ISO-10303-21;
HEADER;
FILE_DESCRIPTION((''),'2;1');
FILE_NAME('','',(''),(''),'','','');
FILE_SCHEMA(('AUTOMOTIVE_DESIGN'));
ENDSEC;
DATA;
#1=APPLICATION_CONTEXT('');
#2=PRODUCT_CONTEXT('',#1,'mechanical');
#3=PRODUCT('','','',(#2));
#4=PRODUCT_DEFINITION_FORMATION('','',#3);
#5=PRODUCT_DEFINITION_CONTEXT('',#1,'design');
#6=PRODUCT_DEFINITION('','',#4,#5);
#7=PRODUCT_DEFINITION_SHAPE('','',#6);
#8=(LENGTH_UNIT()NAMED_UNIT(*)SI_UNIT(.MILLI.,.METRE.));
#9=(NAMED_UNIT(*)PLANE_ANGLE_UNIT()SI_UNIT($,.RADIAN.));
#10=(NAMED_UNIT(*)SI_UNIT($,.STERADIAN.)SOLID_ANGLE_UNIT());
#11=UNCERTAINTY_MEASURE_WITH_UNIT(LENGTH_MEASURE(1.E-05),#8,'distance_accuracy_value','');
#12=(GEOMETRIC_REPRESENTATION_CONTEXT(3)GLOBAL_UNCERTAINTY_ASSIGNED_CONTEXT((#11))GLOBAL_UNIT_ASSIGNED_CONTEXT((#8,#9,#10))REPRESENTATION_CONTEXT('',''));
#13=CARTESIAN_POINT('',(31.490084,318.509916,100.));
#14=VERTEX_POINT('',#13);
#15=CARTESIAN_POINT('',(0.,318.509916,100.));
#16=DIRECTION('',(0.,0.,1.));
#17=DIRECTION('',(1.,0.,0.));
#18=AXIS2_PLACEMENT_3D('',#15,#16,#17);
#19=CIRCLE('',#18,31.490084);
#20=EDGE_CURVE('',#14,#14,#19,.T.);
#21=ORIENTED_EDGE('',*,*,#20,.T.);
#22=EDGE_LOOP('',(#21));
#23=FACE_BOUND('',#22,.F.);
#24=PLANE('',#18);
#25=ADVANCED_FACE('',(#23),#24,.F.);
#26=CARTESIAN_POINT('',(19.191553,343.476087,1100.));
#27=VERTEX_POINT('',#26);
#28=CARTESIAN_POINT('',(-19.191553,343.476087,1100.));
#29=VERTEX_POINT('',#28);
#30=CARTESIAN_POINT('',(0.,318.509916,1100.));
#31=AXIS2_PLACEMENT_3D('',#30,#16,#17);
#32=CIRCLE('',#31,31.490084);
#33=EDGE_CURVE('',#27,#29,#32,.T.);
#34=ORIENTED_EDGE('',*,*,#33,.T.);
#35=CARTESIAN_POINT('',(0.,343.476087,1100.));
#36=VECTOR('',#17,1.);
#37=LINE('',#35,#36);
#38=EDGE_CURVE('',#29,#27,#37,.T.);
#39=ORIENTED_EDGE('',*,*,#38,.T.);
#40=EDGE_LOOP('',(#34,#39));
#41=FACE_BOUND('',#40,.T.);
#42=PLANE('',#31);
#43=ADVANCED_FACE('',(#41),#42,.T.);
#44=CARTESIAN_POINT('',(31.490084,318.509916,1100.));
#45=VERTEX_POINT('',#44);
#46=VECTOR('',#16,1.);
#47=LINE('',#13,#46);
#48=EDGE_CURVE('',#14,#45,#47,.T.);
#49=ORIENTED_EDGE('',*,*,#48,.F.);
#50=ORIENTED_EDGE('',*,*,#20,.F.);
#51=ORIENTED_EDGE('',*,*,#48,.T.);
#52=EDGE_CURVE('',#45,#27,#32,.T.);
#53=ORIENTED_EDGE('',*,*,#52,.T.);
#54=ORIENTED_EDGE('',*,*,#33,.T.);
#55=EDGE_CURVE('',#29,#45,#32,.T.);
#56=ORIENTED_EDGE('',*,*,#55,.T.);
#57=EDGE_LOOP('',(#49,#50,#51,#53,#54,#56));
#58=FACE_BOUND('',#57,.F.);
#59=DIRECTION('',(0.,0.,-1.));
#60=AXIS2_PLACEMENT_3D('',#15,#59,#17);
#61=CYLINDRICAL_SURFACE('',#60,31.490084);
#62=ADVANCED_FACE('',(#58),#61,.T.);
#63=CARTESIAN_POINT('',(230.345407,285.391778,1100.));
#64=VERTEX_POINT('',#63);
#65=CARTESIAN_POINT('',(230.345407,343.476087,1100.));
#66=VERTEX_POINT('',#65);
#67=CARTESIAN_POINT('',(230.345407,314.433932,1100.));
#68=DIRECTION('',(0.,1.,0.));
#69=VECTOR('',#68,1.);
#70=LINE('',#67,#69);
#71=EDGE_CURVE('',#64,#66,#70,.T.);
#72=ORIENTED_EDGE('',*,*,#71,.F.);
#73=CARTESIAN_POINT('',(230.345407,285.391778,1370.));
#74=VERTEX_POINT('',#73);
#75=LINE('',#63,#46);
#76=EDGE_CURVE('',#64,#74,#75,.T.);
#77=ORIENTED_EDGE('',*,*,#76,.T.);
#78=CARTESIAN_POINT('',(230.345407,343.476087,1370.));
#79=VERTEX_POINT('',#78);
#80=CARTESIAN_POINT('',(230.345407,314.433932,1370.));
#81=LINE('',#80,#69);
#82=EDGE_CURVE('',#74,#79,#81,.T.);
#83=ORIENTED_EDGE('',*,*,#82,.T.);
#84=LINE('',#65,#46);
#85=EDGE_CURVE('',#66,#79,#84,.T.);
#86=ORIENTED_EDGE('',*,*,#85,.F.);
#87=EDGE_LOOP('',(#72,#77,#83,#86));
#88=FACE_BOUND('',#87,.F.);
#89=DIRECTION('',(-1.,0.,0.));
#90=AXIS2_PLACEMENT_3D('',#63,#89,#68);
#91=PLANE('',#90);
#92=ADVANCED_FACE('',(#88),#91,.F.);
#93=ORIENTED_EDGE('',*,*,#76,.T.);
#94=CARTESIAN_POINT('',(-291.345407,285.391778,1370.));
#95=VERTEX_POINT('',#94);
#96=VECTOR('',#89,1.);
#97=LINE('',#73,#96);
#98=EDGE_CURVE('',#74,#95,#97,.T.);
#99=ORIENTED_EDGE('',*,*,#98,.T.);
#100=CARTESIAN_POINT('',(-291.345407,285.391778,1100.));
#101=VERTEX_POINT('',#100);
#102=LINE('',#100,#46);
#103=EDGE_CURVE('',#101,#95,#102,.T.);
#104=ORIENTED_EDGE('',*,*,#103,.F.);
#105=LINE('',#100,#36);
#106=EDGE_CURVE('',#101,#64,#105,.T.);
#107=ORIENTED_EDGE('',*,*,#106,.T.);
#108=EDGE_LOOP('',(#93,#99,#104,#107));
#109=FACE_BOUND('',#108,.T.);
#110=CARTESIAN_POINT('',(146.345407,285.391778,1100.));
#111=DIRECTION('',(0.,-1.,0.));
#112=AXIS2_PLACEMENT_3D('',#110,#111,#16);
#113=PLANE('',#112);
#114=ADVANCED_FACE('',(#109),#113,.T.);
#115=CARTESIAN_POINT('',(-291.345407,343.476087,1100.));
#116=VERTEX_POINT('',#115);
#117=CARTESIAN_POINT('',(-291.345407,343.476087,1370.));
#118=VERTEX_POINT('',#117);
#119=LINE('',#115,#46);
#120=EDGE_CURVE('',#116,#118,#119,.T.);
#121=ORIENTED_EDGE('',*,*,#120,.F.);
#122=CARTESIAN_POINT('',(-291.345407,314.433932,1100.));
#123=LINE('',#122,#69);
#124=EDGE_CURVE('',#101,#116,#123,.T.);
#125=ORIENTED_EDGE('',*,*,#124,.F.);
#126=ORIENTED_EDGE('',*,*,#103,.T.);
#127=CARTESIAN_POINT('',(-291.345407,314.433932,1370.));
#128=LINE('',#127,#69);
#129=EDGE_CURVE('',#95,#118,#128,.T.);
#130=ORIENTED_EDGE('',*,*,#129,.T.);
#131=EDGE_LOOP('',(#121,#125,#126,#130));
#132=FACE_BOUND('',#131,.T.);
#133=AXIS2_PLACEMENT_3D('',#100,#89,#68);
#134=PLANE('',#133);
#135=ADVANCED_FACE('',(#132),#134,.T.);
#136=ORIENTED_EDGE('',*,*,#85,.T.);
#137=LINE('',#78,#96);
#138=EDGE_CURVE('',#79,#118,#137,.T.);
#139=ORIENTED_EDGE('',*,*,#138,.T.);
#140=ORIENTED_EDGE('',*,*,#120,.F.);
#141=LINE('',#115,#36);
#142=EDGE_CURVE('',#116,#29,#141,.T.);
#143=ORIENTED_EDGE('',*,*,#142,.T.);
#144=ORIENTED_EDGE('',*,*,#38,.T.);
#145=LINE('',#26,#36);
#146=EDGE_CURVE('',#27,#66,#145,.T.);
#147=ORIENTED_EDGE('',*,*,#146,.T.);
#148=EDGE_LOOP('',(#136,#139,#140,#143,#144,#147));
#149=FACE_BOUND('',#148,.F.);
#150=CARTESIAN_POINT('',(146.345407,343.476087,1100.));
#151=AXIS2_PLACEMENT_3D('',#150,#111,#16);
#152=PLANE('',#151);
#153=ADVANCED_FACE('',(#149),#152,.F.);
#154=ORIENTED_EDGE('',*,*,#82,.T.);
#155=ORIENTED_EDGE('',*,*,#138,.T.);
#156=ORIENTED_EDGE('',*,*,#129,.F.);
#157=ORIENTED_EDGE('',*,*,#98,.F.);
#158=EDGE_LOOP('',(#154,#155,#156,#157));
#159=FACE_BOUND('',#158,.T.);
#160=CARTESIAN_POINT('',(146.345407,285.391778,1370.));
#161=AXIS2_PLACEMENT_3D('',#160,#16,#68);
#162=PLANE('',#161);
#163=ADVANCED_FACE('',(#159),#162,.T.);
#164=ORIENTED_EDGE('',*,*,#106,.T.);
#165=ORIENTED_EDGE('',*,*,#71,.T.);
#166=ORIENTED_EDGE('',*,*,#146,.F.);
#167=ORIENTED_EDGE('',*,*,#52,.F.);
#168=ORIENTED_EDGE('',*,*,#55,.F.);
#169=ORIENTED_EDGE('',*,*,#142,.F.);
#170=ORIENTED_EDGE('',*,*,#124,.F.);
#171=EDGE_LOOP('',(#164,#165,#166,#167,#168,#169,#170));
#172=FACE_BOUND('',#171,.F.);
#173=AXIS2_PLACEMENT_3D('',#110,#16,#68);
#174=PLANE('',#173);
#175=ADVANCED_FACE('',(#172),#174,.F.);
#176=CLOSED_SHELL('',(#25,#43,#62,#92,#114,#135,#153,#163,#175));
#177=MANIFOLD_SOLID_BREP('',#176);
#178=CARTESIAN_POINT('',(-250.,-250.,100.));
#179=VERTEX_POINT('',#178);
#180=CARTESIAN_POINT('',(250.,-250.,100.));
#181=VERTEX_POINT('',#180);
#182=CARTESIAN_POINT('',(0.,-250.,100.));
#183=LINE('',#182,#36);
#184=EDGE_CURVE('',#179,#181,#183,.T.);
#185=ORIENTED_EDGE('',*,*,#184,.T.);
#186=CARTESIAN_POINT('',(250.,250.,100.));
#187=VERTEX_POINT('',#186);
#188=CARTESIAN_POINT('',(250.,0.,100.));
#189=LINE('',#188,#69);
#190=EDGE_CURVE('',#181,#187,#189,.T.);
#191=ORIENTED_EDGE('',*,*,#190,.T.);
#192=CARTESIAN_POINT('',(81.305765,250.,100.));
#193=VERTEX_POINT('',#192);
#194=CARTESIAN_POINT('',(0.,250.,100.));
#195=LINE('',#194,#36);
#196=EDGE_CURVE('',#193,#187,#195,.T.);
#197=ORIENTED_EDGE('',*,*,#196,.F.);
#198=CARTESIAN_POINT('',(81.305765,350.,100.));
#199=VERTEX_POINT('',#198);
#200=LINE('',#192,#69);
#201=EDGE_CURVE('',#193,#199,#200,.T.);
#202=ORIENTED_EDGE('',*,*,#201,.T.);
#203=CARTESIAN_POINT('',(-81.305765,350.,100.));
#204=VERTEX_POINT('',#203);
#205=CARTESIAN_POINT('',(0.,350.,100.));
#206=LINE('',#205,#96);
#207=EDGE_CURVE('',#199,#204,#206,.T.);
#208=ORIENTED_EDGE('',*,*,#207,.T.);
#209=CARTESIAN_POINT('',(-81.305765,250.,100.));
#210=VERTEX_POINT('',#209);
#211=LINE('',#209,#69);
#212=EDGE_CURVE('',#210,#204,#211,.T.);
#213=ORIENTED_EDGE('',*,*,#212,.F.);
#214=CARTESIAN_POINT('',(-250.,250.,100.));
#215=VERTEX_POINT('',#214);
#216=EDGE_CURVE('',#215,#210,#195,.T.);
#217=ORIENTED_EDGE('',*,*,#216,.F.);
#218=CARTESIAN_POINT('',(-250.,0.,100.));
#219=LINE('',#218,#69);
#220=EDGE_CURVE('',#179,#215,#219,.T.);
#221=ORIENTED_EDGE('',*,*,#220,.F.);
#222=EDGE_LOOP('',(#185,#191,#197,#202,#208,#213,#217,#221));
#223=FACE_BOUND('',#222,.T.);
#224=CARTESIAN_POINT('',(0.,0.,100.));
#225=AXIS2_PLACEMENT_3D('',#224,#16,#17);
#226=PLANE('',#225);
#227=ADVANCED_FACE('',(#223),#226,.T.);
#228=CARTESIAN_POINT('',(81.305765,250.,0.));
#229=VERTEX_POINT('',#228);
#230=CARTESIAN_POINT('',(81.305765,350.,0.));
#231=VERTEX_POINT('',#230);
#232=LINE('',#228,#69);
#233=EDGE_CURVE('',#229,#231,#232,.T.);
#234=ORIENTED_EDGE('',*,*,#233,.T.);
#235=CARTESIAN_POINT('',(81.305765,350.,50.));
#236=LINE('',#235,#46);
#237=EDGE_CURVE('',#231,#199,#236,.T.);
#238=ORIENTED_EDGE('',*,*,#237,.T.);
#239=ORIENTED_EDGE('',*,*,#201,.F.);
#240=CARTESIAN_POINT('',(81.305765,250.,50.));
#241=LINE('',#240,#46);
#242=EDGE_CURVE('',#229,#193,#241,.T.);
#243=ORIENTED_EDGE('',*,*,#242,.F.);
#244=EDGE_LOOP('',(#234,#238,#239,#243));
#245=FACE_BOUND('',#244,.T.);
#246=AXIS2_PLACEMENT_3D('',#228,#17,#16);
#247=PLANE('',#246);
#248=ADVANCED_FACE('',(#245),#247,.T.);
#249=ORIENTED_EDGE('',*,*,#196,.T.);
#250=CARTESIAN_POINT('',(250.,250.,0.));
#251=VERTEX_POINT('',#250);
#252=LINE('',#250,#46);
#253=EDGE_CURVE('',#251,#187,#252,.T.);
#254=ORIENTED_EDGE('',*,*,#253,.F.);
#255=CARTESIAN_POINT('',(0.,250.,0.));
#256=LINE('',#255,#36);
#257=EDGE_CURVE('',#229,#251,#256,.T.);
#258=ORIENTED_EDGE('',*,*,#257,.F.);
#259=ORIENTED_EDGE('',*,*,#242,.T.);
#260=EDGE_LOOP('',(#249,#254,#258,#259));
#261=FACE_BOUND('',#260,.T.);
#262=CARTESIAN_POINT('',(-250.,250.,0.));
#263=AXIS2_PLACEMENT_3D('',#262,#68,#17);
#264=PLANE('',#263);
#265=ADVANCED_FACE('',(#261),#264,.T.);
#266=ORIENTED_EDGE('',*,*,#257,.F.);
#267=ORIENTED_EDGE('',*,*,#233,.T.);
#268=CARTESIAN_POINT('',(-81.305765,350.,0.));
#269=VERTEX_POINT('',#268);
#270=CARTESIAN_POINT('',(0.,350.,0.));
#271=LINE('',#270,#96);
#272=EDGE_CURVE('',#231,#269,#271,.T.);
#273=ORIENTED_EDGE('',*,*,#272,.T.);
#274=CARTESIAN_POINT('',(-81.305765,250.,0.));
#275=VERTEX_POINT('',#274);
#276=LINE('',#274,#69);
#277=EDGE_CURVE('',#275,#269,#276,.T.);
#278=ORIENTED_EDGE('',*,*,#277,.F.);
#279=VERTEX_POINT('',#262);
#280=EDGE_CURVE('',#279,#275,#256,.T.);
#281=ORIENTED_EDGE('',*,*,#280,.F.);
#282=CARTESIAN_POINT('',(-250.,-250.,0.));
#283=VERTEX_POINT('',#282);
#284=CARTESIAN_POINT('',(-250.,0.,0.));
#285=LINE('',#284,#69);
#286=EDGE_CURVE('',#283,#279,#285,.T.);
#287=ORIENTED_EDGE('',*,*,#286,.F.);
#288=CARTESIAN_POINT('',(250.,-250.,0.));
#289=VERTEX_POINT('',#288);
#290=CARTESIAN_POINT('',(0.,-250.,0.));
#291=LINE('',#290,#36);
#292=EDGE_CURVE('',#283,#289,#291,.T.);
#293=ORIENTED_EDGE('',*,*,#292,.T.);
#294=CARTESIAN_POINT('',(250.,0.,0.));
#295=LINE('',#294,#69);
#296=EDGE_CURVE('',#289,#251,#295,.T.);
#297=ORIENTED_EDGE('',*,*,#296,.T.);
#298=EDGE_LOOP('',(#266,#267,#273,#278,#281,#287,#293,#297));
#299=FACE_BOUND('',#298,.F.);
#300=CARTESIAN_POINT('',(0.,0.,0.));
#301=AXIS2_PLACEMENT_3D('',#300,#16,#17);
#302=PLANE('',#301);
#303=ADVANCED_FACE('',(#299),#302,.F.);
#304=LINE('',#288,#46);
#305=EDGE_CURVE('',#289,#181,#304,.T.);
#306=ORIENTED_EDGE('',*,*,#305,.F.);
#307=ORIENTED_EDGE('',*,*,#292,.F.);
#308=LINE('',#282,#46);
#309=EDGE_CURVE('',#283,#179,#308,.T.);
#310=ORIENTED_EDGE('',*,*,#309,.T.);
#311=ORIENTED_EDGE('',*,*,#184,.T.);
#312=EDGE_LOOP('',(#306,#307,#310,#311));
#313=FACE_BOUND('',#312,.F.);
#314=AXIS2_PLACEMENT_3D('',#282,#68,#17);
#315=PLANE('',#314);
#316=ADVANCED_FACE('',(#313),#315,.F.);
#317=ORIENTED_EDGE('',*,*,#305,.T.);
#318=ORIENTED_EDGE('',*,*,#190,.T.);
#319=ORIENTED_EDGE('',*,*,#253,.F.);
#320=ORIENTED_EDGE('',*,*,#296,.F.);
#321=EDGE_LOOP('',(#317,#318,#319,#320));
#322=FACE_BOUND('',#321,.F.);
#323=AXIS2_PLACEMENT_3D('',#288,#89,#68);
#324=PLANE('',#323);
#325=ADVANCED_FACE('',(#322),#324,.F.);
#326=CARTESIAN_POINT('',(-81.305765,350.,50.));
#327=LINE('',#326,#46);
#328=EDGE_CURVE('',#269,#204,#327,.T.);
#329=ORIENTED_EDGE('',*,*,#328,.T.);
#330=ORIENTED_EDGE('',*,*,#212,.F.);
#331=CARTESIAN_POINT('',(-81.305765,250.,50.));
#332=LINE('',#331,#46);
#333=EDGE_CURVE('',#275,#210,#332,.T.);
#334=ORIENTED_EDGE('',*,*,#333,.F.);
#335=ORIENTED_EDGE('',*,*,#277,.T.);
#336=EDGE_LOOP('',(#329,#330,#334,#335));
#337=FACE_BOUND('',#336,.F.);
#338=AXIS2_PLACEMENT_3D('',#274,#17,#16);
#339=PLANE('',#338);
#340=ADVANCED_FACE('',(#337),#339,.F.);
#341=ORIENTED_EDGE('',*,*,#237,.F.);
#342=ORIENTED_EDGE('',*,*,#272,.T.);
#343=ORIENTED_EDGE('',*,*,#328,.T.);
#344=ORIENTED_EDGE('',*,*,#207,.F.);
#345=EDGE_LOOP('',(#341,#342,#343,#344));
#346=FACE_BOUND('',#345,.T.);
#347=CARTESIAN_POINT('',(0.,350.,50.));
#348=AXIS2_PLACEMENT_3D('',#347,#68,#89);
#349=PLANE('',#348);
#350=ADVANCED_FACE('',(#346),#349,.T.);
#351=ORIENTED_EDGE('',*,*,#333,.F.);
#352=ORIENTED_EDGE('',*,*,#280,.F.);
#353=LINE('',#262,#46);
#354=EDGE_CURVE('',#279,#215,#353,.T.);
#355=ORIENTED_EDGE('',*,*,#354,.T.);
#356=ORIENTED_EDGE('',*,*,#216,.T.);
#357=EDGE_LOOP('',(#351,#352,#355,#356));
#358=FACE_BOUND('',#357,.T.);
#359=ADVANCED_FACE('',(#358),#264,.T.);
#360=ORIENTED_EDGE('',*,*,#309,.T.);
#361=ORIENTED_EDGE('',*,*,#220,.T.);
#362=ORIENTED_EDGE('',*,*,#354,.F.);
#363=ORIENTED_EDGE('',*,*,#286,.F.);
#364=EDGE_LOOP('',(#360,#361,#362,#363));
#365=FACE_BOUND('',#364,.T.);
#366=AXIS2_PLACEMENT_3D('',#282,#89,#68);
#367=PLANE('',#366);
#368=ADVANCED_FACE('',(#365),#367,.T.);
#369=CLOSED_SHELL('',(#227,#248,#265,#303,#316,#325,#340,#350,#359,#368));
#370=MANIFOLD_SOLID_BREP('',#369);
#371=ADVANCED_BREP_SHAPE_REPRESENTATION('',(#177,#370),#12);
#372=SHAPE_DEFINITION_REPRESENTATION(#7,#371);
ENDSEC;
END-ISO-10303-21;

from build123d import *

# Parameters (mm, degrees)
F0_W     = 500
F0_H     = 500
F1_DEPTH = 100
F2_W     = 162.6115292311
F2_H     = 100
F3_DEPTH = 100
F4_R     = 31.4900843507
F5_DEPTH = 1000
F6_W     = 292.6908135414
F6_H     = 58.0843091011
F7_DEPTH = 270
F8_DEPTH = 145
F9_DEPTH = 84


with BuildPart() as f1:
    # F0 (on Top) → F1 (new body)
    with BuildSketch(Plane.XY):
        Rectangle(F0_W, F0_H)
    extrude(amount=F1_DEPTH)

    # F2 (on face) → F3 (join)
    with BuildSketch(Plane(origin=(0, 250, 0), x_dir=(-1, 0, 0), z_dir=(0, 1, 0))):
        with Locations((0, 50)):
            Rectangle(F2_W, F2_H)
    extrude(amount=F3_DEPTH)


with BuildPart() as f5:
    # F4 (on face) → F5 (new body)
    with BuildSketch(Plane.XY.offset(100)):
        with Locations((0, 318.5099156493)):
            Circle(F4_R)
    extrude(amount=F5_DEPTH)

    # F6 (on face) → F7 (join)
    with BuildSketch(Plane.XY.offset(1100)):
        with Locations((0, 314.4339323044)):
            Rectangle(F6_W, F6_H)
    extrude(amount=F7_DEPTH)

    # F8 (add): a face of the model
    f8_faces = [f5.faces().sort_by_distance(p)[0] for p in [
        (-146.3454067707, 314.4339323044, 1235),
    ]]
    extrude(f8_faces, amount=F8_DEPTH)

    # F9 (add): a face of the model
    f9_faces = [f5.faces().sort_by_distance(p)[0] for p in [
        (146.3454067707, 314.4339323044, 1235),
    ]]
    extrude(f9_faces, amount=F9_DEPTH)


solid = Compound([f1.part, f5.part])
